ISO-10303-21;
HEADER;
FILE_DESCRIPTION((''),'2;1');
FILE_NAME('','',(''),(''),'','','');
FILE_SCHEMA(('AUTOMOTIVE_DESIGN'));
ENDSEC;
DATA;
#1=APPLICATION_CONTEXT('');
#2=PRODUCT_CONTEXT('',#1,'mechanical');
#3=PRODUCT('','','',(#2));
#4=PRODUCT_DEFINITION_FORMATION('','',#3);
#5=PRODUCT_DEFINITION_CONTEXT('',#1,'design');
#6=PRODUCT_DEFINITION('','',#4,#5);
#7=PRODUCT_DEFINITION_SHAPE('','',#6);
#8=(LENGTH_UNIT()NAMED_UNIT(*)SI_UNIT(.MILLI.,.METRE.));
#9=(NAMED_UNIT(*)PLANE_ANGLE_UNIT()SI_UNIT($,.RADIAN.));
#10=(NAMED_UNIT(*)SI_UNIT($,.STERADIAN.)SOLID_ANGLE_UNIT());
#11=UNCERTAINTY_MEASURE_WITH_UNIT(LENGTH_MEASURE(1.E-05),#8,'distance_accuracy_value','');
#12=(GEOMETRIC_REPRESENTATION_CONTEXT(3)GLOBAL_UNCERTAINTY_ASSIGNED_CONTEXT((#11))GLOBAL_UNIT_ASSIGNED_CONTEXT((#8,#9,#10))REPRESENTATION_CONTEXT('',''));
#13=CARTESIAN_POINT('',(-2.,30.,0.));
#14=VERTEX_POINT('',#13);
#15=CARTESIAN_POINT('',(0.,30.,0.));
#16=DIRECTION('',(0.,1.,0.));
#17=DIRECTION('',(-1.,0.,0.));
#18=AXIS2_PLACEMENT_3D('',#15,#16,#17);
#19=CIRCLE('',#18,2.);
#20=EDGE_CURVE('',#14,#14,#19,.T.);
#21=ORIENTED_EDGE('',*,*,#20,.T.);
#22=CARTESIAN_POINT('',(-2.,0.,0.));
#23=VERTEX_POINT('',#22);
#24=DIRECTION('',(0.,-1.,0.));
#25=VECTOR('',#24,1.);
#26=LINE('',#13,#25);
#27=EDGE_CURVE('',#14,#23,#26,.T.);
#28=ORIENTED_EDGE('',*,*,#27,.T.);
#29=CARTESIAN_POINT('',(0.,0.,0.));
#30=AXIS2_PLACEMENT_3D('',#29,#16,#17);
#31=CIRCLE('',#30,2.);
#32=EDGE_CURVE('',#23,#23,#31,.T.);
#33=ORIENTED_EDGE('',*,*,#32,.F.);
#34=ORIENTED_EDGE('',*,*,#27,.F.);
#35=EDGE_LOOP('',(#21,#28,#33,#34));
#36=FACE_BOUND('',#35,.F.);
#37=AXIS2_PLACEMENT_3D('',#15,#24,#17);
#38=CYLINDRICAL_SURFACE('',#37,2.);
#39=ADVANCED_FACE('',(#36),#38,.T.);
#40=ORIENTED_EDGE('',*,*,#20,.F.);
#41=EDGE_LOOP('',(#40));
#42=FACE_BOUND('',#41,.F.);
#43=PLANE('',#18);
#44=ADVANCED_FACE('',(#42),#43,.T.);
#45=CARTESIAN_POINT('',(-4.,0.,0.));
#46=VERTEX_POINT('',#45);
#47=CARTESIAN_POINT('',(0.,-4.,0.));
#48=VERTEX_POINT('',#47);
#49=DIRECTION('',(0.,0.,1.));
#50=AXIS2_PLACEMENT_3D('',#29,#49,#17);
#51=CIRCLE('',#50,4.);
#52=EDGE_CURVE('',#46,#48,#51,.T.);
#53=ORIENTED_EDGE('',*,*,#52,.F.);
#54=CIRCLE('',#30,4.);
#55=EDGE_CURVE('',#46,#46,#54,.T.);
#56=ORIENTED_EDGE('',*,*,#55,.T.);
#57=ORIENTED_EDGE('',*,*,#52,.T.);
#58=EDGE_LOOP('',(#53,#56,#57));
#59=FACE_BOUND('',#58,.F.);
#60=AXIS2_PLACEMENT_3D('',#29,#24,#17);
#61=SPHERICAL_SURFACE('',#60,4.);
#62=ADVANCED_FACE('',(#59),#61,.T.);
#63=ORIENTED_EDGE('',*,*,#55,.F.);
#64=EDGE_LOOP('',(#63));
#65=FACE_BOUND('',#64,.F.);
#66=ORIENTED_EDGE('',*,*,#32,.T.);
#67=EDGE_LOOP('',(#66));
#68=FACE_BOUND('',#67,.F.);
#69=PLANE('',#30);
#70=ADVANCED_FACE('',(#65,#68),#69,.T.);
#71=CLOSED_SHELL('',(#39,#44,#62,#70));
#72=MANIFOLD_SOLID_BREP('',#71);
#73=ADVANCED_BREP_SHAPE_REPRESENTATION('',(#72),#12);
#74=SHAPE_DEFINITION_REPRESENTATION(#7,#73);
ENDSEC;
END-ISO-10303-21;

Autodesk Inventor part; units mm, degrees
ref_plane "YZ Plane" through (0, 0, 0) normal (1, 0, 0) x (0, 1, 0)
ref_plane "XZ Plane" through (0, 0, 0) normal (0, 1, 0) x (-1, 0, 0)
ref_plane "XY Plane" through (0, 0, 0) normal (0, 0, 1) x (1, 0, 0)
sketch "草圖2" plane through (0, 0, 0) normal (0, 0, 1) x (1, 0, 0)
  line L0 (0, -11.7941) -> (0, 36.9657) projected
  line L1 (0, 30) -> (-2, 30)
  line L2 (-2, 30) -> (-2, 0)
  line L3 (-2, 0) -> (0, 0)
  line L4 (0, 0) -> (0, 30)
  line L5 (-2, 0) -> (-4, 0)
  arc A0 (-4, 0) -> (0, -4) centre (0, 0) ccw
  dimension "d6" = 30
  dimension "d7" = 2
  dimension "d8" = 2
revolve "迴轉1" add sketch "草圖2" angle 360 about axis through (0, -10, 0) along (0, 1, 0)
